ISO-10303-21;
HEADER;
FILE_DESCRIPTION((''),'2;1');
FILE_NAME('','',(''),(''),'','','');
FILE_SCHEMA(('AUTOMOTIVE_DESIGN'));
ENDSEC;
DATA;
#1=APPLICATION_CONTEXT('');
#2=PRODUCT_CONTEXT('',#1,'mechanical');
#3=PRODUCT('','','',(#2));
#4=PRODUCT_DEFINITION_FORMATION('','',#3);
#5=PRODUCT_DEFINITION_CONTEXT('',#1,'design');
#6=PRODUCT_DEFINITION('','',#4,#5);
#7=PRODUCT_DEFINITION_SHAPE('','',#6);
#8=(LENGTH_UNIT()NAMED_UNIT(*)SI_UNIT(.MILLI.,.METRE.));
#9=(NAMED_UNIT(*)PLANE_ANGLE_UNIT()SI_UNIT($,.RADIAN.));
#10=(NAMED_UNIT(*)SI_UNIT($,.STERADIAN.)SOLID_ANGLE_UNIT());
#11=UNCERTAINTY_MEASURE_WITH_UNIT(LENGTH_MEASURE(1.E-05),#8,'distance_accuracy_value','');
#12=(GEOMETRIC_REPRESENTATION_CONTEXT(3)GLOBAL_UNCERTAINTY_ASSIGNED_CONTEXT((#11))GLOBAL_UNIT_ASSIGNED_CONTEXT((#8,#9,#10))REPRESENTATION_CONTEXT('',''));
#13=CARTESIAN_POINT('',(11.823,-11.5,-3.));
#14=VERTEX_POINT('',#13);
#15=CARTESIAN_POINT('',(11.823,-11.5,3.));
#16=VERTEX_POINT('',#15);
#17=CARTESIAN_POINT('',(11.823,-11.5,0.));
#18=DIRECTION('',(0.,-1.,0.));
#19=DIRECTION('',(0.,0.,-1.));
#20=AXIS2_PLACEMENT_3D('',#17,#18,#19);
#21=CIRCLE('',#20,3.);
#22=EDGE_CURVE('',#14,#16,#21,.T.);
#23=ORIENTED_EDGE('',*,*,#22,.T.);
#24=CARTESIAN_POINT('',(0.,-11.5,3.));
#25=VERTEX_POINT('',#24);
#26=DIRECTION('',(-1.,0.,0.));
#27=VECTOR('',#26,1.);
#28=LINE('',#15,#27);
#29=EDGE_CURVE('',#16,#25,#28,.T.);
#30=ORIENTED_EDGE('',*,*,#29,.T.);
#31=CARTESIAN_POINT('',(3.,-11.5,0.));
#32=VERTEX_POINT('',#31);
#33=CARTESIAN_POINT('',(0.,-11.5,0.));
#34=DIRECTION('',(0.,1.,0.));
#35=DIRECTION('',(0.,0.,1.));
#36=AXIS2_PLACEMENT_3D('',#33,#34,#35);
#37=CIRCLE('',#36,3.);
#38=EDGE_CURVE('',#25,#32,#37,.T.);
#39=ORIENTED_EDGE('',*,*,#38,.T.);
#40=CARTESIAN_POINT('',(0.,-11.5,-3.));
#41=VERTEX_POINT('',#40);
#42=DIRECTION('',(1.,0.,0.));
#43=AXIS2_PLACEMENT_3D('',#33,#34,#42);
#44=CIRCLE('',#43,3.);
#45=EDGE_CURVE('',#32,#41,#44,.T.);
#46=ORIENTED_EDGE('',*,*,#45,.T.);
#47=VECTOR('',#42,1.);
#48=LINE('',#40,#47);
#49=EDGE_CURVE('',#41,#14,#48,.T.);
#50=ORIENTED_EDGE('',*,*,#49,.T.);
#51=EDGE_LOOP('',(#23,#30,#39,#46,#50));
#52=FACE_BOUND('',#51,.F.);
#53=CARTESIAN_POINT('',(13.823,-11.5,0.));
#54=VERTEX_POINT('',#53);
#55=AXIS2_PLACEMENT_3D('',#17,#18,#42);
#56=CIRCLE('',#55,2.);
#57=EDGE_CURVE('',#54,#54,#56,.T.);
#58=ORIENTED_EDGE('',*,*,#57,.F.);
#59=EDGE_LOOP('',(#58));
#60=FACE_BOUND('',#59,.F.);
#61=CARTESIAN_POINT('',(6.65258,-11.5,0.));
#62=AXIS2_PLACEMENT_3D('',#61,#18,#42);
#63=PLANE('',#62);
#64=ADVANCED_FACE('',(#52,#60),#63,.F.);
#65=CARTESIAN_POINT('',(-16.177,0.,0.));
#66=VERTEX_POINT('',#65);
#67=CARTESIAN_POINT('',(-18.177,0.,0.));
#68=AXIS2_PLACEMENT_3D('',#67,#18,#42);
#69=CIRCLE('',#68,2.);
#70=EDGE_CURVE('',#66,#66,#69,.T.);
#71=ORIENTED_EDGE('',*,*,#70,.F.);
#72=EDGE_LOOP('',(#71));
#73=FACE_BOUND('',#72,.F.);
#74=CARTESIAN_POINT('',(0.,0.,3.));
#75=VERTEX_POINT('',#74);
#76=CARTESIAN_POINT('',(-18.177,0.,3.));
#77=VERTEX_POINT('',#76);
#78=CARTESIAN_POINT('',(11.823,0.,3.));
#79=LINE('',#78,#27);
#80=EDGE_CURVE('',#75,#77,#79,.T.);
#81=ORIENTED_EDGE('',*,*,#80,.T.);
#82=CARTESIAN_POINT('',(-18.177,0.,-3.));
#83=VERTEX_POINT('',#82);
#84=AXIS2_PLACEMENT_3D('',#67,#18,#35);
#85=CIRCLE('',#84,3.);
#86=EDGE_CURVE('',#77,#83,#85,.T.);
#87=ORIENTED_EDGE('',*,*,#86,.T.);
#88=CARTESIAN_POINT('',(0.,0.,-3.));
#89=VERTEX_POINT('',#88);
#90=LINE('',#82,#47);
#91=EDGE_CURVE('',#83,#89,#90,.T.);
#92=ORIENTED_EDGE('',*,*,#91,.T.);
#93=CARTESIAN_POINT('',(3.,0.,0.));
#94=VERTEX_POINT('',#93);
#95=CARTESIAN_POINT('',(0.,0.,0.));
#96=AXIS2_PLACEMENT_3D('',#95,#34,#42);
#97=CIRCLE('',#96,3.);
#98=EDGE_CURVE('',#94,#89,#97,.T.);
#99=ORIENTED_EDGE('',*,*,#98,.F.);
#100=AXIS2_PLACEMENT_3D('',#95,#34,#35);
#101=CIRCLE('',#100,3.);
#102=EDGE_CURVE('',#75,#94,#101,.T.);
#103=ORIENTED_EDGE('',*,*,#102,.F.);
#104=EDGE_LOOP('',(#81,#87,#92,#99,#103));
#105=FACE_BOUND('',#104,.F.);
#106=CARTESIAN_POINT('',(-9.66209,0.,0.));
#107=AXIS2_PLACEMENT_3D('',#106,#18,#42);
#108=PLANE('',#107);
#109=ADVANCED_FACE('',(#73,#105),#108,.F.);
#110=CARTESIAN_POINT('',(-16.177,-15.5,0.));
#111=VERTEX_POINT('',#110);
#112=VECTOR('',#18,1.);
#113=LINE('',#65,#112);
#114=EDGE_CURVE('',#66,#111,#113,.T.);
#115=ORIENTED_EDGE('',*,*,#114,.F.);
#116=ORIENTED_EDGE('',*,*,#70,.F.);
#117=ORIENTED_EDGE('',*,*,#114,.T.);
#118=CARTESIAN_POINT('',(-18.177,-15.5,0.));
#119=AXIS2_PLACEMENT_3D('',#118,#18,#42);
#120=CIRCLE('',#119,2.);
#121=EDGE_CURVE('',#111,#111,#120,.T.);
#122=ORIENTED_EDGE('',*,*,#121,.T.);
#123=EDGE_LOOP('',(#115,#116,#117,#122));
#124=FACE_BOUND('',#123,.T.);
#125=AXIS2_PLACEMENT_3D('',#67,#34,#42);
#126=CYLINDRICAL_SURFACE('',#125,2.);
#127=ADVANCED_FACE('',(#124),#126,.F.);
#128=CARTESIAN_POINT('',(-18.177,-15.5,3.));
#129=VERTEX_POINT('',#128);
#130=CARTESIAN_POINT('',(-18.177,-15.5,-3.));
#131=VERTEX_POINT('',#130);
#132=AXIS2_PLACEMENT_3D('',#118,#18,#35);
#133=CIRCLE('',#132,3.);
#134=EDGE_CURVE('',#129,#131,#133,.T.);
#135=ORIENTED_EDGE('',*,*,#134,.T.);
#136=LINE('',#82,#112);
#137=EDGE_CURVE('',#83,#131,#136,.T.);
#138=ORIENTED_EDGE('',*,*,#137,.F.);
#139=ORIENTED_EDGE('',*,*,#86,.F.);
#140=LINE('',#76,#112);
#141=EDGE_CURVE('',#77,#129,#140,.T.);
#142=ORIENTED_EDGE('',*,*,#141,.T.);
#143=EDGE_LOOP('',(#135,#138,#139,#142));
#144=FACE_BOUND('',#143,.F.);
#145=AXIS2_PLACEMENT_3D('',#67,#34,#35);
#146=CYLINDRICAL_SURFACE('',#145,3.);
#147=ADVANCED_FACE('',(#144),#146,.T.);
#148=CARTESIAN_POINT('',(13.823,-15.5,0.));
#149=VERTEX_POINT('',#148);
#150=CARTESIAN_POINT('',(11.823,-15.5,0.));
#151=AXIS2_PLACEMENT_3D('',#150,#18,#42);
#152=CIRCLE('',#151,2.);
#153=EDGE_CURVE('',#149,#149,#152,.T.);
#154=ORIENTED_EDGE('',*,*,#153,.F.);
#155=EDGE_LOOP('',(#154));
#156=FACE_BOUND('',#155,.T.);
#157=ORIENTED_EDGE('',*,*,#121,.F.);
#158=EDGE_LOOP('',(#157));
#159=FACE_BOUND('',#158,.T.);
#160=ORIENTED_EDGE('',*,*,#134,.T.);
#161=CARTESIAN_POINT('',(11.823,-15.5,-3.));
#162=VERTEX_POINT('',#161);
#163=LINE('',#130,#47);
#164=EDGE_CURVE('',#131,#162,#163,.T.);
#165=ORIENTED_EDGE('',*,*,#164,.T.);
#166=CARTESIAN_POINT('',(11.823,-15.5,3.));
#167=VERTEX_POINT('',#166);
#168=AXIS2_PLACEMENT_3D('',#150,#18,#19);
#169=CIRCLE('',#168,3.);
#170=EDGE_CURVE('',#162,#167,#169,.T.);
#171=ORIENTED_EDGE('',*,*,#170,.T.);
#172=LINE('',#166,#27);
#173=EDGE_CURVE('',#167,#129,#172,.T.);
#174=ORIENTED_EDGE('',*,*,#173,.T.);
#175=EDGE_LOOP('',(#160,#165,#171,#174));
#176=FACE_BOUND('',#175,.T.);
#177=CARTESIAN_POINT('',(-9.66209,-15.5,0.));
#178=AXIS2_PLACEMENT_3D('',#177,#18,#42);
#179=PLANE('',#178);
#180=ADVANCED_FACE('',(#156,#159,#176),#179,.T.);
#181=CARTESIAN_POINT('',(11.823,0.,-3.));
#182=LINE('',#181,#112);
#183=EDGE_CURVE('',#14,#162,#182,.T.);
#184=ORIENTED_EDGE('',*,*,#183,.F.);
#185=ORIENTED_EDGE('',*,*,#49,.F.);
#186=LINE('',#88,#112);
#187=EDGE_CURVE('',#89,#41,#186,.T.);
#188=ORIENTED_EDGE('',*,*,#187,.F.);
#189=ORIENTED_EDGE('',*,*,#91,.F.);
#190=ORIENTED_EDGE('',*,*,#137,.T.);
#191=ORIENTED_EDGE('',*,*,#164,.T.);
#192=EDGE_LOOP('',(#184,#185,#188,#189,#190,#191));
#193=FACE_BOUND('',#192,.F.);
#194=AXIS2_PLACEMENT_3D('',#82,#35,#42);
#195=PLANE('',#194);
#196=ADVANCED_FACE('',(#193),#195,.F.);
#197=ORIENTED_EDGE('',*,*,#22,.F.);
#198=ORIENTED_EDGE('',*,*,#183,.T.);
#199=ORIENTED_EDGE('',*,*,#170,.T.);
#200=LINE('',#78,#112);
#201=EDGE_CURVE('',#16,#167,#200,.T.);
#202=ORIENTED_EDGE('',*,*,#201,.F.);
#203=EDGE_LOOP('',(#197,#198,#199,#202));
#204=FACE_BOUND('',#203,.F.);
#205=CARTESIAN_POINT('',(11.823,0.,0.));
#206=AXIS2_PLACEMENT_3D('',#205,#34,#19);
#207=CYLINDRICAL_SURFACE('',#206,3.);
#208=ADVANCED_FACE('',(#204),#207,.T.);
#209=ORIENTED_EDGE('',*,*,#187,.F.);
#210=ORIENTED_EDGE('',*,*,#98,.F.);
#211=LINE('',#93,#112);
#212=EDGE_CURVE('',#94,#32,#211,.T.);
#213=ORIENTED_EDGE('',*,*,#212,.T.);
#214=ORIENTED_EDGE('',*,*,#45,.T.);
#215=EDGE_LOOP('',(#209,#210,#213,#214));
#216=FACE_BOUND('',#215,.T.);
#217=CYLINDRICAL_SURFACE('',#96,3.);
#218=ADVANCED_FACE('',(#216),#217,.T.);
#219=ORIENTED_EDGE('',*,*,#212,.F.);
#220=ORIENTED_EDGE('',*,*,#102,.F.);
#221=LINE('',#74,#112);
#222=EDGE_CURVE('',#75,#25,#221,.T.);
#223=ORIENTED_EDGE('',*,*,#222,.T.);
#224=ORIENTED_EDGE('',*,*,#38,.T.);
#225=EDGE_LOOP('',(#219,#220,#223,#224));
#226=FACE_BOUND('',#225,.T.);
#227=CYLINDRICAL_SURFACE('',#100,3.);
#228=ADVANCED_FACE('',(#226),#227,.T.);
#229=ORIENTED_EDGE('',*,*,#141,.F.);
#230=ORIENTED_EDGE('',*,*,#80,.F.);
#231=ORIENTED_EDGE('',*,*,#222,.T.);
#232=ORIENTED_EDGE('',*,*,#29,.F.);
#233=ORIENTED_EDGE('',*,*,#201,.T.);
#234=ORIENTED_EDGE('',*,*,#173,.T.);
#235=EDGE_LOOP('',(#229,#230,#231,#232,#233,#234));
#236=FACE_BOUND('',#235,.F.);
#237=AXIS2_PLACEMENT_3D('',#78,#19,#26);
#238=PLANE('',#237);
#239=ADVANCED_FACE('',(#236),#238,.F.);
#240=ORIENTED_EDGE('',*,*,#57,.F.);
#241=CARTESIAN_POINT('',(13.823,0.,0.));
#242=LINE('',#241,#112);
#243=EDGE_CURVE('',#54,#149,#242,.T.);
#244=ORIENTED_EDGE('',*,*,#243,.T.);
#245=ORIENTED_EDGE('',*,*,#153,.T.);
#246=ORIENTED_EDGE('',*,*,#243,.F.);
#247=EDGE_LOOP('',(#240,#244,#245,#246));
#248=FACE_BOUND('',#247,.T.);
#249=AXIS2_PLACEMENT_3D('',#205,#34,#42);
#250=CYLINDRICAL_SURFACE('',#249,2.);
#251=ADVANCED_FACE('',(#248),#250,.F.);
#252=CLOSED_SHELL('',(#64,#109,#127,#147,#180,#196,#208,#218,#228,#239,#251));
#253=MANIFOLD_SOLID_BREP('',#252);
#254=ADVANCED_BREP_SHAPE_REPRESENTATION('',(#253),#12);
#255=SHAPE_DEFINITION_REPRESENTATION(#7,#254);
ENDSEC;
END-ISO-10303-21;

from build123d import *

# Parameters (mm, degrees)
F0_R     = 2
F1_DEPTH = 15.5
F2_DEPTH = 11.5


with BuildPart() as f1:
    # F0 (on Front) → F1 (new body)
    with BuildSketch(Plane.XZ):
        with BuildLine():
            Line((0, 3), (-18.177, 3))
            ThreePointArc((-18.177, 3), (-21.177, 0), (-18.177, -3))
            Line((-18.177, -3), (0, -3))
            ThreePointArc((0, -3), (-3, 0), (0, 3))
        make_face()
        with Locations((-18.177, 0)):
            Circle(F0_R, mode=Mode.SUBTRACT)
        with BuildLine():
            Line((11.823, 3), (0, 3))
            ThreePointArc((0, 3), (2.1213203436, 2.1213203436), (3, 0))
            ThreePointArc((3, 0), (2.1213203436, -2.1213203436), (0, -3))
            Line((0, -3), (11.823, -3))
            ThreePointArc((11.823, -3), (14.823, 0), (11.823, 3))
        make_face()
        with Locations((11.823, 0)):
            Circle(F0_R, mode=Mode.SUBTRACT)
        with BuildLine():
            ThreePointArc((3, 0), (2.1213203436, 2.1213203436), (0, 3))
            ThreePointArc((0, 3), (-3, 0), (0, -3))
            ThreePointArc((0, -3), (2.1213203436, -2.1213203436), (3, 0))
        make_face()
    extrude(amount=F1_DEPTH)

    # F0 (on Front) → F2 (cut)
    with BuildSketch(Plane.XZ):
        with BuildLine():
            Line((11.823, 3), (0, 3))
            ThreePointArc((0, 3), (2.1213203436, 2.1213203436), (3, 0))
            ThreePointArc((3, 0), (2.1213203436, -2.1213203436), (0, -3))
            Line((0, -3), (11.823, -3))
            ThreePointArc((11.823, -3), (14.823, 0), (11.823, 3))
        make_face()
        with Locations((11.823, 0)):
            Circle(F0_R, mode=Mode.SUBTRACT)
    extrude(amount=F2_DEPTH, mode=Mode.SUBTRACT)


solid = f1.part
